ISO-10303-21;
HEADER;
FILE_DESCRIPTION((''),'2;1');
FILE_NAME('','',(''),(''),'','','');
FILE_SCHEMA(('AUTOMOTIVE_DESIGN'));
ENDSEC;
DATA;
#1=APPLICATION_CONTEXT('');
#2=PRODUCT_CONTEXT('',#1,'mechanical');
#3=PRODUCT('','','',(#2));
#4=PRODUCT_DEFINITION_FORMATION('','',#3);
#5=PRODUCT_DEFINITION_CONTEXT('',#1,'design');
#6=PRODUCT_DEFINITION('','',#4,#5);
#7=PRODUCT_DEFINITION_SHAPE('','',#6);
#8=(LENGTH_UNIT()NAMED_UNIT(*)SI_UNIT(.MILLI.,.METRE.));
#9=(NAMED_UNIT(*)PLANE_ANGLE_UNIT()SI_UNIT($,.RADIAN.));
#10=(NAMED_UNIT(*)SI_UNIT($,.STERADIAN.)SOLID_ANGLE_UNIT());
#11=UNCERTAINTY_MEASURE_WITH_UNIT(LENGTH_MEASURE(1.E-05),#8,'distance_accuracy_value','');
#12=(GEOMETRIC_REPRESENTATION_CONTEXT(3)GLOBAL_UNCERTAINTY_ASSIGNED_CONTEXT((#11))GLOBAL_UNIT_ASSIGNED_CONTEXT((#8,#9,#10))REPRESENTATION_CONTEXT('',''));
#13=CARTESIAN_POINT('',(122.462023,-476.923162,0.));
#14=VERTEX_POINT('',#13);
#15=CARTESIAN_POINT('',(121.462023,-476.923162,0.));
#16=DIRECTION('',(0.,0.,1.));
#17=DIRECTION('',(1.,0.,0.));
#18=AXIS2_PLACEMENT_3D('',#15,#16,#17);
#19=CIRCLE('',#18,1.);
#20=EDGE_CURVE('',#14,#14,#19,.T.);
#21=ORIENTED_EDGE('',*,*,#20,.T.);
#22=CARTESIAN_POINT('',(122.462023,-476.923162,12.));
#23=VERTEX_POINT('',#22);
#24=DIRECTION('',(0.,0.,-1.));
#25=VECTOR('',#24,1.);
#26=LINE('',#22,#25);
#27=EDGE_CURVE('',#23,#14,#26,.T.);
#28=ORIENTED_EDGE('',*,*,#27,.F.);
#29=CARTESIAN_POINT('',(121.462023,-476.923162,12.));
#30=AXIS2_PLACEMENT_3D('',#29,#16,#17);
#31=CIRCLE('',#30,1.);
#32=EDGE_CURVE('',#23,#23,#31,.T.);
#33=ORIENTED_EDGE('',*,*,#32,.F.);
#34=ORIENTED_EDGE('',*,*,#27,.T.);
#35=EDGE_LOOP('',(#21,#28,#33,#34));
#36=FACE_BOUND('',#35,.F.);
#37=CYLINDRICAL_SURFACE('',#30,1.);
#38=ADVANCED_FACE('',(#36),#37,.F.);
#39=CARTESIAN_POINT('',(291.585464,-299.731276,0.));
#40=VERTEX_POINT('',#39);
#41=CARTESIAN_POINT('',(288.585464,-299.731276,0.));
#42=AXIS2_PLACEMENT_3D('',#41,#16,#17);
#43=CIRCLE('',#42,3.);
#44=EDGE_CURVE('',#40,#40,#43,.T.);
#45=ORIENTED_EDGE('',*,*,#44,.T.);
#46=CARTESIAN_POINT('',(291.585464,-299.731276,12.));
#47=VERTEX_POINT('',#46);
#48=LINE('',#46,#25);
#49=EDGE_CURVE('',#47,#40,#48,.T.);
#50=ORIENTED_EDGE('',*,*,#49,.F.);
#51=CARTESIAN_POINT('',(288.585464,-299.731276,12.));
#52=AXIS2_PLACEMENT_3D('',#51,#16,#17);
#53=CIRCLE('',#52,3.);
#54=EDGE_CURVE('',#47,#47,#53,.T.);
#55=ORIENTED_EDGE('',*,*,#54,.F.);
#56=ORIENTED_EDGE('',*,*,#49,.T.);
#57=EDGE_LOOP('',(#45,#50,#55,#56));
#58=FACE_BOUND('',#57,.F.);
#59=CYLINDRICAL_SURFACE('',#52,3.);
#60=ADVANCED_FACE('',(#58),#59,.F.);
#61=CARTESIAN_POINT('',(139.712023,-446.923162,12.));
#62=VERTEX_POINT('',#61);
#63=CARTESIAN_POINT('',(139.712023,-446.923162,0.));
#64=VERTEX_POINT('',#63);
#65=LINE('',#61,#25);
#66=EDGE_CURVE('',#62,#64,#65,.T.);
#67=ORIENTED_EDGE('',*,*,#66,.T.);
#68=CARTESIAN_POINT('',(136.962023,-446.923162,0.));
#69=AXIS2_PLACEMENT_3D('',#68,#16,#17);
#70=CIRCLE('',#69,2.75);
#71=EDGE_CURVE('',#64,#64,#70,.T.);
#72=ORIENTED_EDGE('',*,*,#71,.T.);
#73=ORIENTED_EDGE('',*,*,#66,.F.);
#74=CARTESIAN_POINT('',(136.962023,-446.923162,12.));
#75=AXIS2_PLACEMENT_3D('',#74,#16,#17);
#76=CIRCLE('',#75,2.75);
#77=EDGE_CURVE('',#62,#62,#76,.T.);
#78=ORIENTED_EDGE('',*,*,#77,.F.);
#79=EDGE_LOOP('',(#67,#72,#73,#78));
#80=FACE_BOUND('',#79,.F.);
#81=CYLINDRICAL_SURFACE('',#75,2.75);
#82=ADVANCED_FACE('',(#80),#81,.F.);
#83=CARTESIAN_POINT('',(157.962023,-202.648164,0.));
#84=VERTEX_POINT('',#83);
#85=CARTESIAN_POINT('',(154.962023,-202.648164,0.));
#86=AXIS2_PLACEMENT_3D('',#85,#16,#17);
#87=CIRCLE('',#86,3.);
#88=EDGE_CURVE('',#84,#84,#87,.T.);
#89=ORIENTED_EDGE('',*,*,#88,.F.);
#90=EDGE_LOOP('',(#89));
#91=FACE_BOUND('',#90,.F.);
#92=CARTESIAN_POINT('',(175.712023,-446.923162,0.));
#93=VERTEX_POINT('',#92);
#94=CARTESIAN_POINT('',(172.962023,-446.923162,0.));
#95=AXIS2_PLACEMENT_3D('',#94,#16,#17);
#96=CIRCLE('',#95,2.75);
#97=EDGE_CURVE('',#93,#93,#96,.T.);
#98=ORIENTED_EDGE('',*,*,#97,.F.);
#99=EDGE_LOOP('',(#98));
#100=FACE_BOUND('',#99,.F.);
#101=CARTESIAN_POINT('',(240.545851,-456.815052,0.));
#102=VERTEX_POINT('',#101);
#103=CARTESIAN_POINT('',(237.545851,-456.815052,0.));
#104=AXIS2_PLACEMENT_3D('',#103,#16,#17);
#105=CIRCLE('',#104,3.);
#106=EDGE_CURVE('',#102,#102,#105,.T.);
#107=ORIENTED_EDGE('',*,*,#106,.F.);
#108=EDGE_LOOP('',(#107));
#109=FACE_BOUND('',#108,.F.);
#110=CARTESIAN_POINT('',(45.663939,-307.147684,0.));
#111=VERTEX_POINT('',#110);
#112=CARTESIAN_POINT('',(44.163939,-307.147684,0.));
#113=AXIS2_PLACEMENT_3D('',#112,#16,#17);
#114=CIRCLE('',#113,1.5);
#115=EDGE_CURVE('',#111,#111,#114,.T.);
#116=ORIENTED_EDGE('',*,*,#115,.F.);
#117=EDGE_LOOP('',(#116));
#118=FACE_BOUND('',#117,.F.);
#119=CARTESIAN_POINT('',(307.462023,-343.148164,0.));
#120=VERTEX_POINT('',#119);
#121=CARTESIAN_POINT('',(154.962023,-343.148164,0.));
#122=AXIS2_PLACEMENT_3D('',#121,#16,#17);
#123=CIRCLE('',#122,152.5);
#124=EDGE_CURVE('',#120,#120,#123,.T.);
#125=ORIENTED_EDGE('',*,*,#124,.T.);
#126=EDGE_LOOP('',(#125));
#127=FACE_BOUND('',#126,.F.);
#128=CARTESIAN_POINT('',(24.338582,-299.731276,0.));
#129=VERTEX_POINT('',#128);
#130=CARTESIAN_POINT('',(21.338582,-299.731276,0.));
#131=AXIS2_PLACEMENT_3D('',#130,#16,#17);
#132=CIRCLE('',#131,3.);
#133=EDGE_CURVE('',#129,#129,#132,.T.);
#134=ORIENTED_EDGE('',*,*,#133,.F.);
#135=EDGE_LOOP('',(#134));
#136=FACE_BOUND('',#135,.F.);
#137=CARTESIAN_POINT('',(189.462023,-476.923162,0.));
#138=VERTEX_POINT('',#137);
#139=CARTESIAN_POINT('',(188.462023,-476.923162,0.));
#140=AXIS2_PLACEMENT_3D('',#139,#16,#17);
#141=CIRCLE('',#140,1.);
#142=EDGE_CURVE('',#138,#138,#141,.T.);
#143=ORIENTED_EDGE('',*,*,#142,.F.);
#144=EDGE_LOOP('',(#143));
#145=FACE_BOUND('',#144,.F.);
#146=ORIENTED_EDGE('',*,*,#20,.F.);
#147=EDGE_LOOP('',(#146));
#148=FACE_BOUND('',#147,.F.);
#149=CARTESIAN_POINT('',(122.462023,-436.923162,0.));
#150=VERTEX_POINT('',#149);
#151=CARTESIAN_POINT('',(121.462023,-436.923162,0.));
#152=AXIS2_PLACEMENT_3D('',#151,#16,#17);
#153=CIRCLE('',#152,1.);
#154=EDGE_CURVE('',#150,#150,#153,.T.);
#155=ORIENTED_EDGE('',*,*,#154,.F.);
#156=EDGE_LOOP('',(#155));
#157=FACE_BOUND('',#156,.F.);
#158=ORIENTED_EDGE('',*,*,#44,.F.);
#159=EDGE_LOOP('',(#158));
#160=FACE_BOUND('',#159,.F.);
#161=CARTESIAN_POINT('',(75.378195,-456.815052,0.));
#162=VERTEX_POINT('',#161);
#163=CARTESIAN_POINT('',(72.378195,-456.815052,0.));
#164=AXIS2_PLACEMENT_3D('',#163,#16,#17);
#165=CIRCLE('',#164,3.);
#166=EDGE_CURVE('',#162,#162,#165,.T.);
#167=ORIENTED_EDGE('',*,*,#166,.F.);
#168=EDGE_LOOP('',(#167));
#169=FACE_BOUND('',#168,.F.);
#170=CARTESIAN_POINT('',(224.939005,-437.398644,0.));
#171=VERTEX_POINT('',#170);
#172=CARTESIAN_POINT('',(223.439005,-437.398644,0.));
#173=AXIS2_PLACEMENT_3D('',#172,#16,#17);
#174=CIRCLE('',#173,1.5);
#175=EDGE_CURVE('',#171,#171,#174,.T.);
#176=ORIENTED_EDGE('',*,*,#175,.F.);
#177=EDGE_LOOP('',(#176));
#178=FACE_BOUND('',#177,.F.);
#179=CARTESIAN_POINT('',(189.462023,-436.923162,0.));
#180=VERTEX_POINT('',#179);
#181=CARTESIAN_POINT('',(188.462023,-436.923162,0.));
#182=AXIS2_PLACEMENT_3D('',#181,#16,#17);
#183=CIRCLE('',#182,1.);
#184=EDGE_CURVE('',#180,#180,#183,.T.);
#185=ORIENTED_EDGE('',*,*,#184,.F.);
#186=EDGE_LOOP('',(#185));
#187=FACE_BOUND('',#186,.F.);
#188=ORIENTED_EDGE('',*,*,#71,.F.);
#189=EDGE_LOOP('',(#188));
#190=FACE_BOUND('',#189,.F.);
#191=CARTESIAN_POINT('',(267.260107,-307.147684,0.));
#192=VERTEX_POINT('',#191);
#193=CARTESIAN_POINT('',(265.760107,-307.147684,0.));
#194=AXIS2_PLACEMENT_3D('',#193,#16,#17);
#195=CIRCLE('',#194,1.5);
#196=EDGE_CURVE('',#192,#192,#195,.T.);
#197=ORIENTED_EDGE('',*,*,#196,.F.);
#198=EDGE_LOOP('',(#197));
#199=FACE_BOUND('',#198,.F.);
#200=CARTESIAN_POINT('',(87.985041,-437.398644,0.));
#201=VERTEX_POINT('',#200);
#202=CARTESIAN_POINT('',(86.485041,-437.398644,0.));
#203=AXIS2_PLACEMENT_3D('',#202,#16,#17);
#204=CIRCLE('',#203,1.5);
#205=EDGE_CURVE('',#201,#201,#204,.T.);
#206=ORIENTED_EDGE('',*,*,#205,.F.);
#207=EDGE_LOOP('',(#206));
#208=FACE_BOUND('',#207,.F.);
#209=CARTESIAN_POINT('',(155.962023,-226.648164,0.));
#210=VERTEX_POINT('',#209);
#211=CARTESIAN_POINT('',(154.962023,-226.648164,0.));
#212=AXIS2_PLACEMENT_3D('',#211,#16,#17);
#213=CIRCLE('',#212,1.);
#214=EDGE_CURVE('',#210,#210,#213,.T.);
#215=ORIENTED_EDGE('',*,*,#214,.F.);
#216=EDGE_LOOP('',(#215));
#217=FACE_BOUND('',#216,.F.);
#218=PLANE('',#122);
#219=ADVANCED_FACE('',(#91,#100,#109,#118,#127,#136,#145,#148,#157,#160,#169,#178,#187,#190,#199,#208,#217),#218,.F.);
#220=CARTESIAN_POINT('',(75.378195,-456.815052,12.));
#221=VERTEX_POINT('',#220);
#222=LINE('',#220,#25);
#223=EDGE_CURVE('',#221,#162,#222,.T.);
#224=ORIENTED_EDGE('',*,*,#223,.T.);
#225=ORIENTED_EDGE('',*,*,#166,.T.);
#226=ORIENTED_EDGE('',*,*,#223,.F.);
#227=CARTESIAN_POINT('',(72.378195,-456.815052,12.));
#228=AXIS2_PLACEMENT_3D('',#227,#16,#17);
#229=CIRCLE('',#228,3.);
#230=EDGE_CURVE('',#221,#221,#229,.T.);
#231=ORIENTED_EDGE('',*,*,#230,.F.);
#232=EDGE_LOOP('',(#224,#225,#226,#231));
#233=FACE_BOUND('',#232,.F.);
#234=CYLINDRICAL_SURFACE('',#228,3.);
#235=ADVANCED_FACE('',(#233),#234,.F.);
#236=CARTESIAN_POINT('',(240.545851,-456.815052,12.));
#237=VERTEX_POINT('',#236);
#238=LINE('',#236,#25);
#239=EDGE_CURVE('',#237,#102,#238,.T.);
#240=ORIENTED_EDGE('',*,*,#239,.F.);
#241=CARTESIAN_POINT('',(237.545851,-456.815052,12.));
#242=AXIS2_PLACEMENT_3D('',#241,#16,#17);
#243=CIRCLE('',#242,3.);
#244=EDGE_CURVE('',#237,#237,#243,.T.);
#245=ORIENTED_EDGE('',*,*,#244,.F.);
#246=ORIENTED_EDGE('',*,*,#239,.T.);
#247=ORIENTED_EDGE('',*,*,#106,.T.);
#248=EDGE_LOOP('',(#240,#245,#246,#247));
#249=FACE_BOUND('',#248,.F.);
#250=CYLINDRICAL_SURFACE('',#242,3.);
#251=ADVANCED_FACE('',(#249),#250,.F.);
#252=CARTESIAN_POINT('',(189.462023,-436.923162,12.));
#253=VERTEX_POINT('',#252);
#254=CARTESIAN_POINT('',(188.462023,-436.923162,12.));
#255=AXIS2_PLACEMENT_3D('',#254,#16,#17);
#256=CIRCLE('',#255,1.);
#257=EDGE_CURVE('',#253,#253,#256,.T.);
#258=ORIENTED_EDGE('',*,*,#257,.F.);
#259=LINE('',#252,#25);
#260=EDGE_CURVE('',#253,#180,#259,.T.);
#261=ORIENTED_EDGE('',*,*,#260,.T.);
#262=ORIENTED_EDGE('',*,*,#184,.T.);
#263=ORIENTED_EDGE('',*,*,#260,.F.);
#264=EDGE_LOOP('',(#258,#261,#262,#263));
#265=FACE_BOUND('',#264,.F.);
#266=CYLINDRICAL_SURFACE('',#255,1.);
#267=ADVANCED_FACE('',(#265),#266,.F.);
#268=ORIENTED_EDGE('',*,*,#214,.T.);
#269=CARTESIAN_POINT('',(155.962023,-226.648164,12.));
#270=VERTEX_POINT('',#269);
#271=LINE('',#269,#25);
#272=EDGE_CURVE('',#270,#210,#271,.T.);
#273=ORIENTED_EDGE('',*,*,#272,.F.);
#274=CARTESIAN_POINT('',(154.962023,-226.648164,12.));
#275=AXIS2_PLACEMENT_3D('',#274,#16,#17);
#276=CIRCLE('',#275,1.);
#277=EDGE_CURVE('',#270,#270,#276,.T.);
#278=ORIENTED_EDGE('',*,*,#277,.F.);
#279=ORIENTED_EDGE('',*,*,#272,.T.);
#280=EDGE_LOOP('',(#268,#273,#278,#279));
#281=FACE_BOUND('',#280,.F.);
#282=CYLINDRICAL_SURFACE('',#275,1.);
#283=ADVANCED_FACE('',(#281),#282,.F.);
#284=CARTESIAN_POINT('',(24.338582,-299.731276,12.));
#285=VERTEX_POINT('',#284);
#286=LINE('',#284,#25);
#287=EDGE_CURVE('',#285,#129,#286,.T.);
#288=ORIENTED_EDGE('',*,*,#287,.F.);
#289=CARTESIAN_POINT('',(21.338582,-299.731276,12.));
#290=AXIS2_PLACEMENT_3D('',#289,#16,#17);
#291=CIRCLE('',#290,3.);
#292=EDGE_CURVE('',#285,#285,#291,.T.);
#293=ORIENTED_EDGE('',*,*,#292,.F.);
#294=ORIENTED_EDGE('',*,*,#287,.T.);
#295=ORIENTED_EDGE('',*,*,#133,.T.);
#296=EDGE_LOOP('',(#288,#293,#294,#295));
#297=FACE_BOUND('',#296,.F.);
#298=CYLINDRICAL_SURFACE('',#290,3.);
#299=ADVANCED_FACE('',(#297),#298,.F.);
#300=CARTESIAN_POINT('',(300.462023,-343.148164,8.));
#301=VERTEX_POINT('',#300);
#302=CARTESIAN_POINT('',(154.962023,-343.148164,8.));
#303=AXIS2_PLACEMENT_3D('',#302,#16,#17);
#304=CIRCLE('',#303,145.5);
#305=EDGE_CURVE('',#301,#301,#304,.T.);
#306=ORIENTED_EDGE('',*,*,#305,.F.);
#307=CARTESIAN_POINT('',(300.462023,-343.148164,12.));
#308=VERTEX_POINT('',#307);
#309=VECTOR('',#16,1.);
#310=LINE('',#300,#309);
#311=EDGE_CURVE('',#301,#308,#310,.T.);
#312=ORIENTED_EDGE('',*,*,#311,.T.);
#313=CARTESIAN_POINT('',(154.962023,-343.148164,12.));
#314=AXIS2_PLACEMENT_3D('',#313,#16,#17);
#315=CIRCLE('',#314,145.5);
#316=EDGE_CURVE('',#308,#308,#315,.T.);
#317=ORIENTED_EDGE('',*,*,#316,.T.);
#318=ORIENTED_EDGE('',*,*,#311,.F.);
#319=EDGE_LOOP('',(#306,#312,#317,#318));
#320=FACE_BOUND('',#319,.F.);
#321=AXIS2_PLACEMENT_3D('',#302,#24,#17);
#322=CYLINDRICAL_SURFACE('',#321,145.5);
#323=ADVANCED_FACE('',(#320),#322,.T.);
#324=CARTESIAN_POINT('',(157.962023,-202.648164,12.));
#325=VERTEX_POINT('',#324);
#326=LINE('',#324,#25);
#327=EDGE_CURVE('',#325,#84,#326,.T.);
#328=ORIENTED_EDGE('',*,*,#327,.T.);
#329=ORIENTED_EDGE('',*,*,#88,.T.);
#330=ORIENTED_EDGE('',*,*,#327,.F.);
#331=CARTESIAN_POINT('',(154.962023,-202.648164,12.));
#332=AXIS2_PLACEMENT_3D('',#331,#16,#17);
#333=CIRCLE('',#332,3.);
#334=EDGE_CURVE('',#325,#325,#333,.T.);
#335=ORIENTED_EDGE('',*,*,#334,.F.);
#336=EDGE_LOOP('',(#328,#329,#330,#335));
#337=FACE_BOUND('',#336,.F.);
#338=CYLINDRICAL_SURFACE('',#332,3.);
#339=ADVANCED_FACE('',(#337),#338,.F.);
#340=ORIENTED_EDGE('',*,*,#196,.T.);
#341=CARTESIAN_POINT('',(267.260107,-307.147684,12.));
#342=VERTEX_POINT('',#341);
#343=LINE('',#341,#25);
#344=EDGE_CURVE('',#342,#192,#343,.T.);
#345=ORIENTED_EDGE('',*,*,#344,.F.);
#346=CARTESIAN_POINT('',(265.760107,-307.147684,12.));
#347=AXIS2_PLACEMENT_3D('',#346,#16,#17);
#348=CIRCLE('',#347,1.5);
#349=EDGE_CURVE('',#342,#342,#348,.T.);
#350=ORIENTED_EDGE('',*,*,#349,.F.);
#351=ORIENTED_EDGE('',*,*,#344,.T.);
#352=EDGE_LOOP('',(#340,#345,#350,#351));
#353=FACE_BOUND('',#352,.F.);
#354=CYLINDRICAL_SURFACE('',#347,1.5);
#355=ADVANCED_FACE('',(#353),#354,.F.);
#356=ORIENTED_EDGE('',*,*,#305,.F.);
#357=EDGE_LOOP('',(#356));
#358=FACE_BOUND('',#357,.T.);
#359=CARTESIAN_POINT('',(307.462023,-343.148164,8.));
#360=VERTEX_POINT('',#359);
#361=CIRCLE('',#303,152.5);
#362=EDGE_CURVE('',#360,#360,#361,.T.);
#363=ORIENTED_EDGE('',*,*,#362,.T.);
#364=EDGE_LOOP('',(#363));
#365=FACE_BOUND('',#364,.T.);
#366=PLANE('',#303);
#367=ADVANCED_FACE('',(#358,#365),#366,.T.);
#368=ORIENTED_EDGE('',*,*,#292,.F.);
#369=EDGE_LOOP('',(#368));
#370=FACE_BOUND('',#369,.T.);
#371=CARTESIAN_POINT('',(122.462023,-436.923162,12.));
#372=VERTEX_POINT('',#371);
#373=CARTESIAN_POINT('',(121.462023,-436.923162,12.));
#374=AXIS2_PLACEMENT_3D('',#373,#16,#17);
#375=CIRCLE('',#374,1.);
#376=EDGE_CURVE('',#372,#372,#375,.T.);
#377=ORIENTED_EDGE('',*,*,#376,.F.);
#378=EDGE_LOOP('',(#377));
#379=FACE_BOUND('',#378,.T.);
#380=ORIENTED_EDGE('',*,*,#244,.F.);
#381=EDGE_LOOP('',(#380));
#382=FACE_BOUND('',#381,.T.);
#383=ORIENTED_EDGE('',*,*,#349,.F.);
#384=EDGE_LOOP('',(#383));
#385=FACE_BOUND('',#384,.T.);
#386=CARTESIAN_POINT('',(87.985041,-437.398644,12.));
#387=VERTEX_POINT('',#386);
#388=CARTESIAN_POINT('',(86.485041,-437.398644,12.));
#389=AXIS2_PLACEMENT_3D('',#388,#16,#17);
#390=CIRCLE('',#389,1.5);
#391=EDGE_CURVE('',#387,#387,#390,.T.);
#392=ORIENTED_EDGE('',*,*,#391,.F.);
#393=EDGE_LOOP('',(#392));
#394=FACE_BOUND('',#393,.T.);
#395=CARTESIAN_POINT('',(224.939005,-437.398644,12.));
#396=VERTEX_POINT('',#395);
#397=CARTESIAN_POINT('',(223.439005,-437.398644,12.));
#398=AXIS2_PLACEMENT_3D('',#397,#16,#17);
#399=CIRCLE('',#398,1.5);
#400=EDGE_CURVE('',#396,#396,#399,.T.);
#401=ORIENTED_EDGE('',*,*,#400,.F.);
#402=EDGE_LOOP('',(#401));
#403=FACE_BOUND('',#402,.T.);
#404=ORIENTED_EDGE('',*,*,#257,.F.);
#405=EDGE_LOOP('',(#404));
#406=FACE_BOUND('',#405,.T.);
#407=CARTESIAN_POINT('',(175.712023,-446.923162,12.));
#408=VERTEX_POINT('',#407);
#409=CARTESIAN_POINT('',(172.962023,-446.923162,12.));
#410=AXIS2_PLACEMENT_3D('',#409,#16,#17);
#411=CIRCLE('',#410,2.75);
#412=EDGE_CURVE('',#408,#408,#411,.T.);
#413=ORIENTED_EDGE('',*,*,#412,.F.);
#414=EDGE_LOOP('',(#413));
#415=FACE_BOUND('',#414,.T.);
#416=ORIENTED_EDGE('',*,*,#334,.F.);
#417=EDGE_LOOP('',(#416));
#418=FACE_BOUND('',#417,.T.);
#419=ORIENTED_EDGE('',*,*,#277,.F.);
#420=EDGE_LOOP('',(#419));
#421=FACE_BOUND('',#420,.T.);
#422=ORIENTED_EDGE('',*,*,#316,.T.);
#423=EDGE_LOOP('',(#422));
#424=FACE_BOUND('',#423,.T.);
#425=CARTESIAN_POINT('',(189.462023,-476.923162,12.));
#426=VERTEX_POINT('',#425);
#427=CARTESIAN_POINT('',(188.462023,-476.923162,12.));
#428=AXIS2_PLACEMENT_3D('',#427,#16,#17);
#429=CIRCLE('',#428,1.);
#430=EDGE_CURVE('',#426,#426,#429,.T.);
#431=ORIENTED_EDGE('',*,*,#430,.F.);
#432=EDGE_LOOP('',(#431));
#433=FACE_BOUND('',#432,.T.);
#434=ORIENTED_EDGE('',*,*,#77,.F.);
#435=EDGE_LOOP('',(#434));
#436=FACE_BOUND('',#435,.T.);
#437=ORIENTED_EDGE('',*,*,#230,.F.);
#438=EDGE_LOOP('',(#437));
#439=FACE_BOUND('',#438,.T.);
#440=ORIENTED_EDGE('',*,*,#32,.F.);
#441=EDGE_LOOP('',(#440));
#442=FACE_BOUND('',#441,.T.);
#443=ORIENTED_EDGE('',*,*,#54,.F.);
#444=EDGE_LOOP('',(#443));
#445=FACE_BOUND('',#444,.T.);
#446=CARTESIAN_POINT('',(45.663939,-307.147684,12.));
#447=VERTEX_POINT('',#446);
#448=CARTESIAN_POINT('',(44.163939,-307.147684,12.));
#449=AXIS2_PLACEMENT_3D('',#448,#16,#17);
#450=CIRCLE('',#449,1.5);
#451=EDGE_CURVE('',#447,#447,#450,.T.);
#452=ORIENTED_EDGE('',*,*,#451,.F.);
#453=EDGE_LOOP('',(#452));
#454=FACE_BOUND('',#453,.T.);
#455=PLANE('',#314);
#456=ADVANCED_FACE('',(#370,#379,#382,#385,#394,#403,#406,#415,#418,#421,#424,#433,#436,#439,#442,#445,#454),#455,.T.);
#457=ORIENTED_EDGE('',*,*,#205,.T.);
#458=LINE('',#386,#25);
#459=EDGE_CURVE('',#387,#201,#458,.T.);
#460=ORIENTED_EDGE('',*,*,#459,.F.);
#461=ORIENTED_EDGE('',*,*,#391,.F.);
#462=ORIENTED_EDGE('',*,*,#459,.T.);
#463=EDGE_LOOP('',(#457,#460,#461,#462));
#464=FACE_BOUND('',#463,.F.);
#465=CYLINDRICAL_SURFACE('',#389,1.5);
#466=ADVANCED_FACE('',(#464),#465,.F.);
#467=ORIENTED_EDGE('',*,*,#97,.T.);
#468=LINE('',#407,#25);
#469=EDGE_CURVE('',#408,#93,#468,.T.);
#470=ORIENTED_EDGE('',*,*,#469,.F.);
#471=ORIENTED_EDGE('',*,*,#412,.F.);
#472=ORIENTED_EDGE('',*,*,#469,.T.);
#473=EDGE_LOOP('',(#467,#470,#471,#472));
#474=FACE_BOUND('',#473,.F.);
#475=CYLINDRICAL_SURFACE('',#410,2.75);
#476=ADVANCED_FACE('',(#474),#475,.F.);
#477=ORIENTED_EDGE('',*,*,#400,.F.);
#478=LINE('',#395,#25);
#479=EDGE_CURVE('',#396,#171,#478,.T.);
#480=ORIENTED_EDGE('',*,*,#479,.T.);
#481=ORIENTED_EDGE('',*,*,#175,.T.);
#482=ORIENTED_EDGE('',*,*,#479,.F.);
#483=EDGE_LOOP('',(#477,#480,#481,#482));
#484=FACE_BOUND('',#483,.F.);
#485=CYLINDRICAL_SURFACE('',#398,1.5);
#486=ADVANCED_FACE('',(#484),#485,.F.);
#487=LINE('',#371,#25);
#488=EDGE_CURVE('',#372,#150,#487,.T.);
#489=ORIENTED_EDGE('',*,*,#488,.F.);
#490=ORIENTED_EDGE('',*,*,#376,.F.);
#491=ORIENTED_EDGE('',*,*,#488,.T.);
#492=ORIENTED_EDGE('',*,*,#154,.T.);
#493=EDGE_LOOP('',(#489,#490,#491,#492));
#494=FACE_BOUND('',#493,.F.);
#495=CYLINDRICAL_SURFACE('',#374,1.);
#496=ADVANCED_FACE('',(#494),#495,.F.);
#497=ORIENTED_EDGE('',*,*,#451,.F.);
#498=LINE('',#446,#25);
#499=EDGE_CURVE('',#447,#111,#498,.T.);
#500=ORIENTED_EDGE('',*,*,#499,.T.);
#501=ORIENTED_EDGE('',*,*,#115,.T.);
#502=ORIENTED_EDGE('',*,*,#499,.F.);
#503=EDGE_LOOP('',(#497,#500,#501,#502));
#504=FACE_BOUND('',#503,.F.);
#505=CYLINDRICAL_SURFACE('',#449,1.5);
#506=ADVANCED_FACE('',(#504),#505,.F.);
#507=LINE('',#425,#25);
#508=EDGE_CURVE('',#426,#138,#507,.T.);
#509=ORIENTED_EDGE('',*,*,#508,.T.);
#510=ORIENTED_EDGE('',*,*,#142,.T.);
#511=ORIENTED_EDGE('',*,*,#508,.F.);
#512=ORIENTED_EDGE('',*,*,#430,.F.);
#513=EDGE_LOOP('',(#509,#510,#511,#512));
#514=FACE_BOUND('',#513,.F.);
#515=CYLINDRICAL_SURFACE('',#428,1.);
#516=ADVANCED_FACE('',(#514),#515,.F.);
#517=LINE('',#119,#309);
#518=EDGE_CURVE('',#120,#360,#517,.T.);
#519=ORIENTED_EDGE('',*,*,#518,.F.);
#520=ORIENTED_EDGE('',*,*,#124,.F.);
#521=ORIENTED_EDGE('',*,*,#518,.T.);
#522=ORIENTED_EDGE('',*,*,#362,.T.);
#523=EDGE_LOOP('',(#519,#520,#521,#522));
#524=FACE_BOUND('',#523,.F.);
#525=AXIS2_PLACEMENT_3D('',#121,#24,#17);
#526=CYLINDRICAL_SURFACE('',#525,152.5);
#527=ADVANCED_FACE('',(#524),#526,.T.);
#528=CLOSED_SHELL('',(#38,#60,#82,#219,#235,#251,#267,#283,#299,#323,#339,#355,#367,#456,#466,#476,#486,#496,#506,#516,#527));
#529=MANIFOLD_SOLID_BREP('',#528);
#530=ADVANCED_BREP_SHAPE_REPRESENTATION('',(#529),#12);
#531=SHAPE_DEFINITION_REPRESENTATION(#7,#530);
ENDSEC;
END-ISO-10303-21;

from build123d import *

# Parameters (mm, degrees)
SKETCH025_R     = 152.5
PAD015_DEPTH    = 8
SKETCH057_R     = 145.5
PAD016_DEPTH    = 4
SKETCH052_R     = 3
SKETCH052_R_2   = 1.5
SKETCH052_R_3   = 1
SKETCH052_R_4   = 2.75
POCKET018_DEPTH = 12.001


with BuildPart() as part:
    # Sketch025 → Pad015 (new body)
    with BuildSketch(Plane.XY):
        with Locations((0.142028, -323.737579)):
            Circle(SKETCH025_R)
    extrude(amount=PAD015_DEPTH)

    # Sketch057 (on DatumPlane) → Pad016 (join)
    with BuildSketch(Plane.XY.offset(8)):
        with Locations((0.142028, -323.737579)):
            Circle(SKETCH057_R)
    extrude(amount=PAD016_DEPTH)

    # Sketch052 → Pocket018 (cut, through all)
    with BuildSketch(Plane.XY.offset(12)):
        with Locations((0.142028, -183.237579)):
            Circle(SKETCH052_R)
        with Locations((133.765469, -280.320691)):
            Circle(SKETCH052_R)
        with Locations((110.940112, -287.737099)):
            Circle(SKETCH052_R_2)
        with Locations((-133.481413, -280.320691)):
            Circle(SKETCH052_R)
        with Locations((-110.656056, -287.737099)):
            Circle(SKETCH052_R_2)
        with Locations((-82.4418, -437.404467)):
            Circle(SKETCH052_R)
        with Locations((-68.334954, -417.988059)):
            Circle(SKETCH052_R_2)
        with Locations((82.725856, -437.404467)):
            Circle(SKETCH052_R)
        with Locations((68.61901, -417.988059)):
            Circle(SKETCH052_R_2)
        with Locations((-33.357972, -417.512577)):
            Circle(SKETCH052_R_3)
        with Locations((-33.357972, -457.512577)):
            Circle(SKETCH052_R_3)
        with Locations((33.642028, -457.512577)):
            Circle(SKETCH052_R_3)
        with Locations((33.642028, -417.512577)):
            Circle(SKETCH052_R_3)
        with Locations((0.142028, -207.237579)):
            Circle(SKETCH052_R_3)
        with Locations((-17.857972, -427.512577)):
            Circle(SKETCH052_R_4)
        with Locations((18.142028, -427.512577)):
            Circle(SKETCH052_R_4)
    extrude(amount=-POCKET018_DEPTH, mode=Mode.SUBTRACT)


with BuildPart() as part_1:
    # Body005 placement: moved
    add(part.part.moved(Location((154.819995, -19.410585, 0))))


solid = part_1.part
